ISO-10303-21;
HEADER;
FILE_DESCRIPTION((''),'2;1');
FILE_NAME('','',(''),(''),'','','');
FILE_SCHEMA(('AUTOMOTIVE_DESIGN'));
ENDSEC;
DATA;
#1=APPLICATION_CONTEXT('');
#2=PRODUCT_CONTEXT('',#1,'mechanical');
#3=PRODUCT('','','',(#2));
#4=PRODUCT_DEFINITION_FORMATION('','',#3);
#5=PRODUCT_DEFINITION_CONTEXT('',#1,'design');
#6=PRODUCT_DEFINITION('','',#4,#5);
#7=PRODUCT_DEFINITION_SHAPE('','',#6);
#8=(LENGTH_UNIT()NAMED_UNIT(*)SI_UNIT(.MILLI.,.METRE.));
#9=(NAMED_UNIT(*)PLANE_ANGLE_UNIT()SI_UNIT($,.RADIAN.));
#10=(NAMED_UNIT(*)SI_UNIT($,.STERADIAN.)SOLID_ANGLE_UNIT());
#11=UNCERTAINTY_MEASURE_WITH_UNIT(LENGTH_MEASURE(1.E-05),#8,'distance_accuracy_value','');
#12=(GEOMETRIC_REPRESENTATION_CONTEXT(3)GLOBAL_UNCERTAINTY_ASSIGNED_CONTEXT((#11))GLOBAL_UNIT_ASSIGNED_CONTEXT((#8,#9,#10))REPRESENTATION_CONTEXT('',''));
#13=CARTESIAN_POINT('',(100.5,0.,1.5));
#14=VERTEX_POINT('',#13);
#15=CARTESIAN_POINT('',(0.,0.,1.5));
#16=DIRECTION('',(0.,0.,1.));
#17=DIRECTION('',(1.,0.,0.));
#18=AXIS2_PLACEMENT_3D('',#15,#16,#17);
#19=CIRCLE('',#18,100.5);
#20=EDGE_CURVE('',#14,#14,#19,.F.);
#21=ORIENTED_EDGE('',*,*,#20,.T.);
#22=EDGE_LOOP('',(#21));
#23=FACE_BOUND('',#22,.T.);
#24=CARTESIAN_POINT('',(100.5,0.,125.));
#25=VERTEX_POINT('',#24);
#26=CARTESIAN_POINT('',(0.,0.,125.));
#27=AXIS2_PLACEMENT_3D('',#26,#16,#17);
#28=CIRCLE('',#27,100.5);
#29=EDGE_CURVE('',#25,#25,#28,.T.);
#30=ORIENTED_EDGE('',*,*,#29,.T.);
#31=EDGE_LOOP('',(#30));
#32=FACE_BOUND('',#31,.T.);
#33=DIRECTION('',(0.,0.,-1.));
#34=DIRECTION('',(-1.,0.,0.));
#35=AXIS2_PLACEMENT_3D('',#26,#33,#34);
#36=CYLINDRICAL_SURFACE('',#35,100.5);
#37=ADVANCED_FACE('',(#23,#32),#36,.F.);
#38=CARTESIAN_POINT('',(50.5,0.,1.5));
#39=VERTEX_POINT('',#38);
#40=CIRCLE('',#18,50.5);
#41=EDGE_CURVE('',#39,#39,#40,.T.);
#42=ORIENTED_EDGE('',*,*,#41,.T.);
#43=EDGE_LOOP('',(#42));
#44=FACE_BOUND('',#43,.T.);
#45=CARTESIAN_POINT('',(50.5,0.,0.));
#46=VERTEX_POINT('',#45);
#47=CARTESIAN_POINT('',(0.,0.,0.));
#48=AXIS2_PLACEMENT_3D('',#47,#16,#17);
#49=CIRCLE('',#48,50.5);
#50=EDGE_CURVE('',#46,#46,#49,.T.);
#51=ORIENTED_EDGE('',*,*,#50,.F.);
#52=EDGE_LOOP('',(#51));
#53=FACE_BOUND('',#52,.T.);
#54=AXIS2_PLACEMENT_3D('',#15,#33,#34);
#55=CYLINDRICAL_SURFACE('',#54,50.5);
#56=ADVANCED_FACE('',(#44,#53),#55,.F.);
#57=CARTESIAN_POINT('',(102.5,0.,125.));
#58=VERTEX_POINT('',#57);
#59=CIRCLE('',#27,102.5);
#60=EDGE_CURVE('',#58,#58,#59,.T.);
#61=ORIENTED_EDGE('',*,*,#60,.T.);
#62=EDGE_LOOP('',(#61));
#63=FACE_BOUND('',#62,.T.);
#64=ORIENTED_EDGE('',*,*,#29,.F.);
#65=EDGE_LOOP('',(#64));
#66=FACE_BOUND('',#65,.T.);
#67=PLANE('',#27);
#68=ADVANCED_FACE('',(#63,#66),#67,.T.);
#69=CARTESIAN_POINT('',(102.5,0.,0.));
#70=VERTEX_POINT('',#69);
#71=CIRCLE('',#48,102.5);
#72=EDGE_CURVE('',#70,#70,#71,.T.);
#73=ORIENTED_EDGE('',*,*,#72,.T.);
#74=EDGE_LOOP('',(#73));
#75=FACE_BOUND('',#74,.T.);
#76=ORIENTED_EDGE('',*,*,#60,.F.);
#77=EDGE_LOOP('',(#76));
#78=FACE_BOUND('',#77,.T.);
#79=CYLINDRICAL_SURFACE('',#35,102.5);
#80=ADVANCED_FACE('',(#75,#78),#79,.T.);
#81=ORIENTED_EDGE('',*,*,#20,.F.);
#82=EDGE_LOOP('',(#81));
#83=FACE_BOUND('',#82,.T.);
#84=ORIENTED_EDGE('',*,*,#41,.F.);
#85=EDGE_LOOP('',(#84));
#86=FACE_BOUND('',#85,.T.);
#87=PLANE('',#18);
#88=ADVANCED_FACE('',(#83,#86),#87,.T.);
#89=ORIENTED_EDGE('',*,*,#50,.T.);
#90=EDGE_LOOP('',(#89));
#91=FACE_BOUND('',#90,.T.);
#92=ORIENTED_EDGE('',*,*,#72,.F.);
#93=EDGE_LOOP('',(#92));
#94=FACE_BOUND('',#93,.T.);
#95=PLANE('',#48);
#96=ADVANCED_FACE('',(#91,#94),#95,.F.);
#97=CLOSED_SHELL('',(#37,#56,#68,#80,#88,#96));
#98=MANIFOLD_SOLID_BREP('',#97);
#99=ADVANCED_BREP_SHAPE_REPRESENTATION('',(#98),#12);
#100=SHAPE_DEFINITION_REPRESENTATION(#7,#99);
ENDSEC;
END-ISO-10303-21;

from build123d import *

# Parameters (mm, degrees)
SKETCH1_R           = 100.5
SKETCH1_R_2         = 50.5
BOSS_EXTRUDE1_DEPTH = 1.5
SKETCH1_3_R         = 102.5
SKETCH1_3_R_2       = 100.5
BOSS_EXTRUDE2_DEPTH = 125


with BuildPart() as part:
    # Sketch1 → Boss-Extrude1 (new body)
    with BuildSketch(Plane.XY):
        Circle(SKETCH1_R)
        Circle(SKETCH1_R_2, mode=Mode.SUBTRACT)
    extrude(amount=BOSS_EXTRUDE1_DEPTH)

    # Sketch1<3> → Boss-Extrude2 (add)
    with BuildSketch(Plane.XY):
        Circle(SKETCH1_3_R)
        Circle(SKETCH1_3_R_2, mode=Mode.SUBTRACT)
    extrude(amount=BOSS_EXTRUDE2_DEPTH)


solid = part.part
